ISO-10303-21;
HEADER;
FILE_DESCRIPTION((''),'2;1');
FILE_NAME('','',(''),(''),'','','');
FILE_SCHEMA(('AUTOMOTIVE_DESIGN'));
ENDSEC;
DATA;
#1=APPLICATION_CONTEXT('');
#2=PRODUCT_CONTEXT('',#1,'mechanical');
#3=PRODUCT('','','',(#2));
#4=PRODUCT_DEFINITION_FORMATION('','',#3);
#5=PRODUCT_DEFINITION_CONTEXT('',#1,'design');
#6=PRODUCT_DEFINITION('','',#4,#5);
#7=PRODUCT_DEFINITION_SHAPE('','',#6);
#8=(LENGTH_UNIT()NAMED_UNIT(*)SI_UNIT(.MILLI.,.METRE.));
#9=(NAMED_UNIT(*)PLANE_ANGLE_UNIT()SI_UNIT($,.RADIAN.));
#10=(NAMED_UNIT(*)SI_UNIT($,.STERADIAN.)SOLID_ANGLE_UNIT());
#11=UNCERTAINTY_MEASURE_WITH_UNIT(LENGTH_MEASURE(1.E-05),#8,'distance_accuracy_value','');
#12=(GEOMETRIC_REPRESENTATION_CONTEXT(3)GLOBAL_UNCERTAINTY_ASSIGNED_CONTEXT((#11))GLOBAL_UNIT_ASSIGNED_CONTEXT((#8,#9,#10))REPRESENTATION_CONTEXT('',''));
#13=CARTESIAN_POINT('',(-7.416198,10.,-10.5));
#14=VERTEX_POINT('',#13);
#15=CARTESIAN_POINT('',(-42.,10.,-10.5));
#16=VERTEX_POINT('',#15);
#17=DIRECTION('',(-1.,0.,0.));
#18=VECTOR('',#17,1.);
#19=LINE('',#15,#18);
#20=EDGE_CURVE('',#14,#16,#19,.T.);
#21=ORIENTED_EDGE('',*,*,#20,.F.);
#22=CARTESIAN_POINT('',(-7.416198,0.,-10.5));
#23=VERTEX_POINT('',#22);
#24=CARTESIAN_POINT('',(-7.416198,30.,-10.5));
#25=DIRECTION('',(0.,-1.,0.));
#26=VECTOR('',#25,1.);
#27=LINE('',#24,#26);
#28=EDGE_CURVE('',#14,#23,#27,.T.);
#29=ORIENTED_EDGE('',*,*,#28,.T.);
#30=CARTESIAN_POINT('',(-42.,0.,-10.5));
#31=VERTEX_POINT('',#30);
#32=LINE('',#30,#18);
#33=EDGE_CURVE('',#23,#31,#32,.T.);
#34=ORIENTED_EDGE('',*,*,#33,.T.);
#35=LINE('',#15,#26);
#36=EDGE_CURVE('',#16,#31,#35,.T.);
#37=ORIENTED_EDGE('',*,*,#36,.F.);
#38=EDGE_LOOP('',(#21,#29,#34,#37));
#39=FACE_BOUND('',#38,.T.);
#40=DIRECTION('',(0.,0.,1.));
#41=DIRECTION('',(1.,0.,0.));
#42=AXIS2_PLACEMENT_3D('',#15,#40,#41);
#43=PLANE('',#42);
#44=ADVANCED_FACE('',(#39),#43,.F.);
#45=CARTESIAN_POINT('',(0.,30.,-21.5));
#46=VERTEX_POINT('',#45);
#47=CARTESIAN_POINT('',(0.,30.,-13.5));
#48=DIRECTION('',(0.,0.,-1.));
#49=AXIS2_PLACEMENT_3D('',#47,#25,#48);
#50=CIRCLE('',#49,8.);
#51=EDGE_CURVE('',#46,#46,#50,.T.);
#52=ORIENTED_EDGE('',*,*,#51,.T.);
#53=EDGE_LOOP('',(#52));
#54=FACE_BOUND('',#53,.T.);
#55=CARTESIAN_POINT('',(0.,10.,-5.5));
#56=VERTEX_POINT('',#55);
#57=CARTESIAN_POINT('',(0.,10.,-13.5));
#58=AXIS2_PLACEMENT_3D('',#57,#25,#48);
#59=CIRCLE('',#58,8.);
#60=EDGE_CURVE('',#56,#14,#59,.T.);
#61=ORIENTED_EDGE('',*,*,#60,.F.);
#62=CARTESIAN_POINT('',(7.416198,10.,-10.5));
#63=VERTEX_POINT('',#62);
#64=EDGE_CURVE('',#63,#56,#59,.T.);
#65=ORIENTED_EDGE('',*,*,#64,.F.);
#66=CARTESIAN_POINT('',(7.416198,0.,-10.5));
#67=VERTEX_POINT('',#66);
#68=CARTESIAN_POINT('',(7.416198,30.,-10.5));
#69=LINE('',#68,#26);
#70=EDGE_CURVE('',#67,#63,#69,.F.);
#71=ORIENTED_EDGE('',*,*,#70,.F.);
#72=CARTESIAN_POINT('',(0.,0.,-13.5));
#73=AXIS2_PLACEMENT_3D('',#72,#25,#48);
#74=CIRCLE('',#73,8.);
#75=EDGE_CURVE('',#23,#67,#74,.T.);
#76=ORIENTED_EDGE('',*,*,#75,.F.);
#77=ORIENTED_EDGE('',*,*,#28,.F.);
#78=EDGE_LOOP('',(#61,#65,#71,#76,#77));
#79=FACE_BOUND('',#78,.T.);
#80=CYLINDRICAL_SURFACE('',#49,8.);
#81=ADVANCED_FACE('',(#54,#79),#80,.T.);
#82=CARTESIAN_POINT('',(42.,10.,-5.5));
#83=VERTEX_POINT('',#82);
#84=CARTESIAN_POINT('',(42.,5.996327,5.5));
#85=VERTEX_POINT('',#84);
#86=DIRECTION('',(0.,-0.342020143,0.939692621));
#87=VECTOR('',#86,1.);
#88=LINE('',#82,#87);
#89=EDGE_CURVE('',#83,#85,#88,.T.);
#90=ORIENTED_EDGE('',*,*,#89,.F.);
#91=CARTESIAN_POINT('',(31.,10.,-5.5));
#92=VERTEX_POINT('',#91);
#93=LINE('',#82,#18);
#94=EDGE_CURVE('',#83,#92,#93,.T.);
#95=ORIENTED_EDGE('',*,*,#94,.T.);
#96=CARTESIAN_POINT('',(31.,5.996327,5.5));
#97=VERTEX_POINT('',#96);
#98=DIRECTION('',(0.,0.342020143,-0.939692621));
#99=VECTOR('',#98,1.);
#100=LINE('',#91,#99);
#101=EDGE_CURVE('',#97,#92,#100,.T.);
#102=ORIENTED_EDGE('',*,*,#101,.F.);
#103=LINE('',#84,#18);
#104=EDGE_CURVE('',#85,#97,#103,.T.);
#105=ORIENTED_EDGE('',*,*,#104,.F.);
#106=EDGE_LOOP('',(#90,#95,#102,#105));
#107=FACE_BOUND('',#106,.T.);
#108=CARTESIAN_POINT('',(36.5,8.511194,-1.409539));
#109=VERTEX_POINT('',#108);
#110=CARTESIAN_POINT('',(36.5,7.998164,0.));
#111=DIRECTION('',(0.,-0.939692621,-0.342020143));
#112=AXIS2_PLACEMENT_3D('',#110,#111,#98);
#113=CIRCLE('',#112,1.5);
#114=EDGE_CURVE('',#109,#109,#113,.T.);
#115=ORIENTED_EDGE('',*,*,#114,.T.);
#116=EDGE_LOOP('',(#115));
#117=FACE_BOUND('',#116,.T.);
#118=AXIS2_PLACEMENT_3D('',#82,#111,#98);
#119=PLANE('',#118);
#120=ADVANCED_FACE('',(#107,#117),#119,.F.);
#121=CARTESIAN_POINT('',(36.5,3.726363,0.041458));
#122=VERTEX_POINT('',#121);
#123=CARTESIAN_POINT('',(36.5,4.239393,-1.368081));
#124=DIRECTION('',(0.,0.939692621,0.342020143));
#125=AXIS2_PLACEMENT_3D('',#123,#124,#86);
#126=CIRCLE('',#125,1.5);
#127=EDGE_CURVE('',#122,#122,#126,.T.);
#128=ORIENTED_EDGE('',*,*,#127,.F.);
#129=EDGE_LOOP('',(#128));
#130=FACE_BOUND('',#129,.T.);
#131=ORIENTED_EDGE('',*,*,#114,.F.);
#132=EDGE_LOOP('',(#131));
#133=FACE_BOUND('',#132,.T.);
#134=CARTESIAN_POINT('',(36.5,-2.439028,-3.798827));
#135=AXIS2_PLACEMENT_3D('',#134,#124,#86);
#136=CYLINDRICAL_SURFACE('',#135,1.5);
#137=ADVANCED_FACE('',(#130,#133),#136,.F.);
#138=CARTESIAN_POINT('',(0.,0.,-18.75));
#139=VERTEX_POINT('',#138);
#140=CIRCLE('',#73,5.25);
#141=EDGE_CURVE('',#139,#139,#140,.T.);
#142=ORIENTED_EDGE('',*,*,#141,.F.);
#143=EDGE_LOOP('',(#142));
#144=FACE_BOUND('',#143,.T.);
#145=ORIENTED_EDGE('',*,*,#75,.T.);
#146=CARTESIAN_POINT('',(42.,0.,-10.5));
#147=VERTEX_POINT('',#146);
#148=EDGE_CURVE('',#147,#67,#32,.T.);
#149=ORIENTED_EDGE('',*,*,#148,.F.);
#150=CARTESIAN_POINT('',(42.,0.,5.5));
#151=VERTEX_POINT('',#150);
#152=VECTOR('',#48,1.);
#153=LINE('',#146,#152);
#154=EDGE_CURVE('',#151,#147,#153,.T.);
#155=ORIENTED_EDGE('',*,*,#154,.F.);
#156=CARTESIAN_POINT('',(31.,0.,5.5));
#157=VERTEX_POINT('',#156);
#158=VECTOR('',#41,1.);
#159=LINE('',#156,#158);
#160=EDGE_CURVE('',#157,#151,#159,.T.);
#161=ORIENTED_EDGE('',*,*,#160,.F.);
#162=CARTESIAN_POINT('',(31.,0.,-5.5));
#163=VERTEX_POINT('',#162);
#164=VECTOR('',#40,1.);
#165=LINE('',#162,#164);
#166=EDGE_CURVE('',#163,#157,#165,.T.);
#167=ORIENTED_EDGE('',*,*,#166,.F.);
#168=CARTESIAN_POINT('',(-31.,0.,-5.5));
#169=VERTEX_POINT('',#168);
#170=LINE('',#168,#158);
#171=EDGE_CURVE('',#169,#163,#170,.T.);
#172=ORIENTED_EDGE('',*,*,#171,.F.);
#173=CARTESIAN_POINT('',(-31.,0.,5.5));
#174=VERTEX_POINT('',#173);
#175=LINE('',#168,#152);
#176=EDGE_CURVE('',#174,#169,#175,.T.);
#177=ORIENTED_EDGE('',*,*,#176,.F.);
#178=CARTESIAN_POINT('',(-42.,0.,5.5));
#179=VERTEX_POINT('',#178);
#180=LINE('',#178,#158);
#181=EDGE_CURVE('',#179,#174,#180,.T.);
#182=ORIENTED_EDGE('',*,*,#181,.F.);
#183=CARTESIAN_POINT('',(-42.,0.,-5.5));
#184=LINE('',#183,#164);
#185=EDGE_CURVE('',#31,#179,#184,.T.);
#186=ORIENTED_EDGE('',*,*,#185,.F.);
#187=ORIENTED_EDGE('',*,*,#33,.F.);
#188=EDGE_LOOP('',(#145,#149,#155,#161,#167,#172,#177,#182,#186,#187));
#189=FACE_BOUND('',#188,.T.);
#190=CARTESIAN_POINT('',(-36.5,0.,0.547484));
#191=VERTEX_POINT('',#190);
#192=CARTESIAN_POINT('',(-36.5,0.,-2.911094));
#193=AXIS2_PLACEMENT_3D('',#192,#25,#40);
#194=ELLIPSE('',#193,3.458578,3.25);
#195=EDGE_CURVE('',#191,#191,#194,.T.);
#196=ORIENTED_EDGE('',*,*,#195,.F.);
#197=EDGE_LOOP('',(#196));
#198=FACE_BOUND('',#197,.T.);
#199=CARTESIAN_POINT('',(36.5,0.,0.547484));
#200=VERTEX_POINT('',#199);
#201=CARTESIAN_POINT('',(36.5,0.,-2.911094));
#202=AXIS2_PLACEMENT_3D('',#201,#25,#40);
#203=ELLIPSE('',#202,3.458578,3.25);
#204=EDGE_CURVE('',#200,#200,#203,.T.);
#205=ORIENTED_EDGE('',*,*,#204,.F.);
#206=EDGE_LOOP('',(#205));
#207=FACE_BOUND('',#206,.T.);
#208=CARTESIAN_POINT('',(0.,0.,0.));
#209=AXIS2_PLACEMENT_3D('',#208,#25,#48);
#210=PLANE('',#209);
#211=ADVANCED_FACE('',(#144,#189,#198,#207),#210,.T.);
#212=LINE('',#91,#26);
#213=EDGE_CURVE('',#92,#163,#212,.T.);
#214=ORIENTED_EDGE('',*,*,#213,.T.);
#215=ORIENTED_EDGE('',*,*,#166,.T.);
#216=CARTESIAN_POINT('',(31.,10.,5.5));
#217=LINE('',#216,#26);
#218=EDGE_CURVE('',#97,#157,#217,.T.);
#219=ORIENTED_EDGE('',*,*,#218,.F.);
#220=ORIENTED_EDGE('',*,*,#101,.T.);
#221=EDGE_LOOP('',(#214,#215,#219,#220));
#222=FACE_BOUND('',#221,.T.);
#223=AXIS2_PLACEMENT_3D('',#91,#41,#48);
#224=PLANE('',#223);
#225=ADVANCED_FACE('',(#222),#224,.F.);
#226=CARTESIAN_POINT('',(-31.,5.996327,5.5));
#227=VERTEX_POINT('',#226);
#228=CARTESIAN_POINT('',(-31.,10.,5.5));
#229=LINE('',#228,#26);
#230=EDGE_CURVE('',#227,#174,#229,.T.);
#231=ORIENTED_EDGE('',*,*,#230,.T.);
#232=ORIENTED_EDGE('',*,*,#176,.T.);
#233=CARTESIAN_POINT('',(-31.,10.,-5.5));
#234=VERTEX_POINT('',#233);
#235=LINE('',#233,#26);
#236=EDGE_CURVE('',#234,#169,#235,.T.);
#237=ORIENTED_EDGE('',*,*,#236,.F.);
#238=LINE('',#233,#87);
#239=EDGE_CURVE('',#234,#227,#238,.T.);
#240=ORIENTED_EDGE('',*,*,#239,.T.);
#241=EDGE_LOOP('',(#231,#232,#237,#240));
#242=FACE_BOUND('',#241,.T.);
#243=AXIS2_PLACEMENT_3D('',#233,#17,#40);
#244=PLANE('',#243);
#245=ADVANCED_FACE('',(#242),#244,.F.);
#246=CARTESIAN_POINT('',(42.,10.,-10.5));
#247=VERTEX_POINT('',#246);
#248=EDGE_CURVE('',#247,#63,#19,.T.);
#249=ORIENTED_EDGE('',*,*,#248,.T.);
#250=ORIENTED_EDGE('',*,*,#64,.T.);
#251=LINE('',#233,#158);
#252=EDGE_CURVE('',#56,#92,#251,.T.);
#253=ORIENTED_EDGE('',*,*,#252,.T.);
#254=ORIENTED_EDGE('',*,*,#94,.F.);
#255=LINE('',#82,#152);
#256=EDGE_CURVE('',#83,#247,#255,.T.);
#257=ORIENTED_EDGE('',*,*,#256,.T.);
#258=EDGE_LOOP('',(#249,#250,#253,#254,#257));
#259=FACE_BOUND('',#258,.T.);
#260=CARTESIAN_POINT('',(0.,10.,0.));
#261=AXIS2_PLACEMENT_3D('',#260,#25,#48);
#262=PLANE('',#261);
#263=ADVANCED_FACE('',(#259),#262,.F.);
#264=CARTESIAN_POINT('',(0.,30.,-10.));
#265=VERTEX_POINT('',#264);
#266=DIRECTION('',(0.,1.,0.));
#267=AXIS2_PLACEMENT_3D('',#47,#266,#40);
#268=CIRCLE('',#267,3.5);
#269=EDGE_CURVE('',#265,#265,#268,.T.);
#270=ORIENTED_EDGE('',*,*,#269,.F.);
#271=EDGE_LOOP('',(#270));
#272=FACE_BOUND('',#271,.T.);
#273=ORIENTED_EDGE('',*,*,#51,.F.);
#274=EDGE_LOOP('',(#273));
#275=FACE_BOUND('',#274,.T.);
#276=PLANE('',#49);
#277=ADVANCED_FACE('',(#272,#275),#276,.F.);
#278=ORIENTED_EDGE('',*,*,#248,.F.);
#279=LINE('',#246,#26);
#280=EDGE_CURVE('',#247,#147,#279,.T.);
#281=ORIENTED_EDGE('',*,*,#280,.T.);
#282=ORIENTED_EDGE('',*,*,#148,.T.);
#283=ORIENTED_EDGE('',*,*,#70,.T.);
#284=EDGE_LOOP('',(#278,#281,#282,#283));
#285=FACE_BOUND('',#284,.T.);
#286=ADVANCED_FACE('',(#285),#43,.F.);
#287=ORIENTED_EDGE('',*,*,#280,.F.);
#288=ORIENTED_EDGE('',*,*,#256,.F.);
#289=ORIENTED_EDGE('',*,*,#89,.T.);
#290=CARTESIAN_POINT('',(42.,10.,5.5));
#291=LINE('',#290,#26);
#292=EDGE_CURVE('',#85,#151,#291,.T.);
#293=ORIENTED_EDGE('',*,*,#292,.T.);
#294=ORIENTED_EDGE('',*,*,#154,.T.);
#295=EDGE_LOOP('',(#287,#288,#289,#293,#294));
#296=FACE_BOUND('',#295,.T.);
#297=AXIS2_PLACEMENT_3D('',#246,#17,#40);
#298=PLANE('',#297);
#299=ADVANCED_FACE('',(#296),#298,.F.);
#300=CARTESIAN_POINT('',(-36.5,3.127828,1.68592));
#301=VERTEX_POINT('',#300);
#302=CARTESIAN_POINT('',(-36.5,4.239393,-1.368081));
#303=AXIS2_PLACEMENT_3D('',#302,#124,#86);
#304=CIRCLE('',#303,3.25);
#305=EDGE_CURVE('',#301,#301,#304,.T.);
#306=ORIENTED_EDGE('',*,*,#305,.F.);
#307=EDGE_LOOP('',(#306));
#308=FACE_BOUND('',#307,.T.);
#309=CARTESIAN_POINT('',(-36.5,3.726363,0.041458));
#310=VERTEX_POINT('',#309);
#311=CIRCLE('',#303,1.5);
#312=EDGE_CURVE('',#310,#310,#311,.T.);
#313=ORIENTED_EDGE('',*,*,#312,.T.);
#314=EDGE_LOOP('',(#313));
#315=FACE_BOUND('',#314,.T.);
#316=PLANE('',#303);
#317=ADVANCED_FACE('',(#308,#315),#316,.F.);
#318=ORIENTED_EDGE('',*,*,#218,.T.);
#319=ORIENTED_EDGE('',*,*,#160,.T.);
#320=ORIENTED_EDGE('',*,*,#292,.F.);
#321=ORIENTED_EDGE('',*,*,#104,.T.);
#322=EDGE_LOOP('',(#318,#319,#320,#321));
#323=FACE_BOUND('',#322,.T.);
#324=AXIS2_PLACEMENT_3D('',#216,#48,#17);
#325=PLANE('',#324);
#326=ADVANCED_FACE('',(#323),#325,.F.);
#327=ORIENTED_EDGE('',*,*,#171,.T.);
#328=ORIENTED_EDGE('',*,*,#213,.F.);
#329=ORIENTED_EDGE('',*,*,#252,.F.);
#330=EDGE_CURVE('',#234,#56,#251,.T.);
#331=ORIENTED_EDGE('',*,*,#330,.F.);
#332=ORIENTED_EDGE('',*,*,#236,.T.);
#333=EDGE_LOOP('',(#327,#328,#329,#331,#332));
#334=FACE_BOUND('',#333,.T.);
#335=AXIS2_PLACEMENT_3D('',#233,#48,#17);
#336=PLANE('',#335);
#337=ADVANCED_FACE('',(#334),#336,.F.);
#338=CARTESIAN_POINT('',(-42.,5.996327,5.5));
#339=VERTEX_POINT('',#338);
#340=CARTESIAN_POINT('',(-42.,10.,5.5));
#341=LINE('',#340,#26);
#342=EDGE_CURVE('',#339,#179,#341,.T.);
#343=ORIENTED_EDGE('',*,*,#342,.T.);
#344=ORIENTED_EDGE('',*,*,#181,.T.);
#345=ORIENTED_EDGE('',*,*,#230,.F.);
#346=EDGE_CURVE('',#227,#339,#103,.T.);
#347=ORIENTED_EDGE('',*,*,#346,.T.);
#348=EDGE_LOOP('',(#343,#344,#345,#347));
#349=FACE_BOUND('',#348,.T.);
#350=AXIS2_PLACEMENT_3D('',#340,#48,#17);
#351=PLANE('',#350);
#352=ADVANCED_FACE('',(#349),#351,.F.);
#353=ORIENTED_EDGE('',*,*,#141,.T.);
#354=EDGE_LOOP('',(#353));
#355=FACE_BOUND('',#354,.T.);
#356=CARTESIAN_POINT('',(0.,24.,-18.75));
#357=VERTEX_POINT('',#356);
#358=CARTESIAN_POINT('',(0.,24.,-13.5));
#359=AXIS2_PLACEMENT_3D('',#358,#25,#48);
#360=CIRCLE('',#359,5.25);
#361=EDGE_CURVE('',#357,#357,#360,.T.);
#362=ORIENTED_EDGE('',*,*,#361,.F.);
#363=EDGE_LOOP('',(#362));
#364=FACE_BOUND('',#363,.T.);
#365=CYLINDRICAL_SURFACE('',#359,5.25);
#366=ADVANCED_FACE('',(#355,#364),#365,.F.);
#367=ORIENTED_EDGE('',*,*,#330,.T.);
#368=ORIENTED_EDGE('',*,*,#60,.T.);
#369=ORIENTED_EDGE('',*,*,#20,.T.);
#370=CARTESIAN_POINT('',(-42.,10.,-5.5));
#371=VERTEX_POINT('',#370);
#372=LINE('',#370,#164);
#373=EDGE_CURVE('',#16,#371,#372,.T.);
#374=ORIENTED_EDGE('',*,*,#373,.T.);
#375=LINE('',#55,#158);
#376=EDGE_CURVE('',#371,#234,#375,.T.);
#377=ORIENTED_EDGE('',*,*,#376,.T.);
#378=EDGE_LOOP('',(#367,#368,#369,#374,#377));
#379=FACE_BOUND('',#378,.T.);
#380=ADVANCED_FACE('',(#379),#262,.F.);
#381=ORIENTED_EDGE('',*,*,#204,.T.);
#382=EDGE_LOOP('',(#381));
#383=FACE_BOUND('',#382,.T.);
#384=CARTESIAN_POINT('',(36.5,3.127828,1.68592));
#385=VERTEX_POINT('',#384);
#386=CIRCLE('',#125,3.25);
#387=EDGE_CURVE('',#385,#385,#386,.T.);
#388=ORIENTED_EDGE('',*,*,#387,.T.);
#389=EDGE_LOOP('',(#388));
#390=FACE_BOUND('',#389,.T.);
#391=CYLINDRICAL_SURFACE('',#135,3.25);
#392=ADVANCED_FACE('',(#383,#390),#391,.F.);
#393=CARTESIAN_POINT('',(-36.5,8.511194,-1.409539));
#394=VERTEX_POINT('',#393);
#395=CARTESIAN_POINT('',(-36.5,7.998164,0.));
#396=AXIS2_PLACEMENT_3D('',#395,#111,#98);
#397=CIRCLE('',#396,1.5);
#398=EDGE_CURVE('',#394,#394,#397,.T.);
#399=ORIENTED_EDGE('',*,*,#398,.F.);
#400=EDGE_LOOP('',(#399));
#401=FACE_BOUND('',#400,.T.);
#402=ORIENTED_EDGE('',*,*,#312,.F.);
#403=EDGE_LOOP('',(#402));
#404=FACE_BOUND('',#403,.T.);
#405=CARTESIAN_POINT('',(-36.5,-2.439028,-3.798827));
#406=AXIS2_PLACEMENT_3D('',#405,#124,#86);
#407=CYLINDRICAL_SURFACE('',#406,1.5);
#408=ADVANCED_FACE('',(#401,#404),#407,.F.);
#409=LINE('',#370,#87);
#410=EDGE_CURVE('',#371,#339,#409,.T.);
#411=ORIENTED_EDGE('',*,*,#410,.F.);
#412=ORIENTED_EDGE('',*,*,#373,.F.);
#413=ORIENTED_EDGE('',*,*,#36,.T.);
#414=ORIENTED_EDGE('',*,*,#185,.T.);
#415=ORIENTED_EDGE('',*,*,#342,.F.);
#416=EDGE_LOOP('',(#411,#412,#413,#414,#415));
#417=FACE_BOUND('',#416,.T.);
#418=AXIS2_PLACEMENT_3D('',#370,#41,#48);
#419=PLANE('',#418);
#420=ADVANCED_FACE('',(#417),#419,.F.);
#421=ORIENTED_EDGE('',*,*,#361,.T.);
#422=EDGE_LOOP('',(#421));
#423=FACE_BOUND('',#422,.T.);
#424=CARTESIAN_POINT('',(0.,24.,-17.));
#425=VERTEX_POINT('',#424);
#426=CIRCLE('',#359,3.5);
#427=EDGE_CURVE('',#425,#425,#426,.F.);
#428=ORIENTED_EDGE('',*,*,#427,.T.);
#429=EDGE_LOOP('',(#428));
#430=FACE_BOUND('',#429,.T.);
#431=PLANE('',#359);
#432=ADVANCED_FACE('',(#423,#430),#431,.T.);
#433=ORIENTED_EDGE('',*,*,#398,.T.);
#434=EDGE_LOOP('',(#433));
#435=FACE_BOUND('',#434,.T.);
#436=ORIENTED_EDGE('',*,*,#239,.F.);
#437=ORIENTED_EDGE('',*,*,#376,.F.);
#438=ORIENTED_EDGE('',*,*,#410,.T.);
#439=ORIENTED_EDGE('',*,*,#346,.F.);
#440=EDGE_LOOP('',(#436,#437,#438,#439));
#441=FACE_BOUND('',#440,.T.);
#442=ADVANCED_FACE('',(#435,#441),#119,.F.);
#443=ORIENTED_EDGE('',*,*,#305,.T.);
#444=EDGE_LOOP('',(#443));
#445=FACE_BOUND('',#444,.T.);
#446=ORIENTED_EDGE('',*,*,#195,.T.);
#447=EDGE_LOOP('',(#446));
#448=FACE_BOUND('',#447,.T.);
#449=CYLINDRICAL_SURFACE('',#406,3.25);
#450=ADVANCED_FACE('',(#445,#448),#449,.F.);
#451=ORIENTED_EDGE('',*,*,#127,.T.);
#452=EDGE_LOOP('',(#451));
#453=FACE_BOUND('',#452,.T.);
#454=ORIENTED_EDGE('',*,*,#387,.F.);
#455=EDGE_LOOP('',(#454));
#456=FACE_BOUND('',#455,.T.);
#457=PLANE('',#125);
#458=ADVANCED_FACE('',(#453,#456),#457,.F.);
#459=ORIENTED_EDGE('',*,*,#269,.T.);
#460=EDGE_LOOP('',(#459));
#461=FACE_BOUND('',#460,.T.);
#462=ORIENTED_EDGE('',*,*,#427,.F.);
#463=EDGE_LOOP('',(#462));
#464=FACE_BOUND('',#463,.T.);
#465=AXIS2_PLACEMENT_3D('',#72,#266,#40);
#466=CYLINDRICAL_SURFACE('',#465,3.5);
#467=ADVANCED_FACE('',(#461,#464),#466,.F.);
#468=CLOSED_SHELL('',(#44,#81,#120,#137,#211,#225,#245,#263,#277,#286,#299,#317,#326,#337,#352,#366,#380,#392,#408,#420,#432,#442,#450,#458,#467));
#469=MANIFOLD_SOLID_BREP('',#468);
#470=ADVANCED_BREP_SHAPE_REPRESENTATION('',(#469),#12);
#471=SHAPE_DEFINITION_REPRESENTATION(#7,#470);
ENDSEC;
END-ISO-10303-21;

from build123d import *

# Parameters (mm, degrees)
EXTRUDE_1_DEPTH     = 10
CUT_EXTRUDE_4_DEPTH = 85
SKETCH_6_R          = 1.5
CUT_EXTRUDE_5_DEPTH = 12.107026924
SKETCH_7_R          = 3.25
CUT_EXTRUDE_6_DEPTH = 8.107026924
SKETCH_8_R          = 8
EXTRUDE_2_DEPTH     = 30
SKETCH_9_R          = 3.5
CUT_EXTRUDE_7_DEPTH = 30
SKETCH_10_R         = 5.25
CUT_EXTRUDE_8_DEPTH = 24


with BuildPart() as part:
    # 草图1 → 凸台-拉伸1 (new body)
    with BuildSketch(Plane(origin=(0, 0, 0), x_dir=(1, 0, 0), z_dir=(0, 1, 0))):
        Polygon((-42, 5.5), (-42, 10.5), (42, 10.5), (42, 5.5), (42, -5.5), (31, -5.5), (31, 5.5), (-31, 5.5), (-31, -5.5), (-42, -5.5), align=None)
    extrude(amount=EXTRUDE_1_DEPTH)

    # 草图5 → 切除-拉伸4 (cut, through all)
    with BuildSketch(Plane.ZY.offset(42)):
        Polygon((-5.5, 10), (5.5, 5.996327423), (5.5, 10), align=None)
    extrude(amount=-CUT_EXTRUDE_4_DEPTH, mode=Mode.SUBTRACT)

    # 草图6 → 切除-拉伸5 (cut, through all)
    with BuildSketch(Plane(origin=(0, 13.15030494, -14.155391688), x_dir=(1, 0, 0), z_dir=(0, -0.939692621, -0.342020143))):
        with Locations((-36.5, 15.063853195)):
            Circle(SKETCH_6_R)
        with Locations((36.5, 15.063853195)):
            Circle(SKETCH_6_R)
    extrude(amount=CUT_EXTRUDE_5_DEPTH, mode=Mode.SUBTRACT)

    # 草图7 → 切除-拉伸6 (cut, through all)
    with BuildSketch(Plane(origin=(0, 3.303785806, 1.202479694), x_dir=(1, 0, 0), z_dir=(0, 0.939692621, 0.342020143))):
        with Locations((-36.5, 2.735533099)):
            Circle(SKETCH_7_R)
        with Locations((36.5, 2.735533099)):
            Circle(SKETCH_7_R)
    extrude(amount=-CUT_EXTRUDE_6_DEPTH, mode=Mode.SUBTRACT)

    # 草图8 → 凸台-拉伸2 (add)
    with BuildSketch(Plane.XZ):
        with Locations((0, -13.5)):
            Circle(SKETCH_8_R)
    extrude(amount=-EXTRUDE_2_DEPTH)

    # 草图9 → 切除-拉伸7 (cut)
    with BuildSketch(Plane(origin=(0, 30, 0), x_dir=(1, 0, 0), z_dir=(0, 1, 0))):
        with Locations((0, 13.5)):
            Circle(SKETCH_9_R)
    extrude(amount=-CUT_EXTRUDE_7_DEPTH, mode=Mode.SUBTRACT)

    # 草图10 → 切除-拉伸8 (cut)
    with BuildSketch(Plane.XZ):
        with Locations((0, -13.5)):
            Circle(SKETCH_10_R)
    extrude(amount=-CUT_EXTRUDE_8_DEPTH, mode=Mode.SUBTRACT)


solid = part.part
